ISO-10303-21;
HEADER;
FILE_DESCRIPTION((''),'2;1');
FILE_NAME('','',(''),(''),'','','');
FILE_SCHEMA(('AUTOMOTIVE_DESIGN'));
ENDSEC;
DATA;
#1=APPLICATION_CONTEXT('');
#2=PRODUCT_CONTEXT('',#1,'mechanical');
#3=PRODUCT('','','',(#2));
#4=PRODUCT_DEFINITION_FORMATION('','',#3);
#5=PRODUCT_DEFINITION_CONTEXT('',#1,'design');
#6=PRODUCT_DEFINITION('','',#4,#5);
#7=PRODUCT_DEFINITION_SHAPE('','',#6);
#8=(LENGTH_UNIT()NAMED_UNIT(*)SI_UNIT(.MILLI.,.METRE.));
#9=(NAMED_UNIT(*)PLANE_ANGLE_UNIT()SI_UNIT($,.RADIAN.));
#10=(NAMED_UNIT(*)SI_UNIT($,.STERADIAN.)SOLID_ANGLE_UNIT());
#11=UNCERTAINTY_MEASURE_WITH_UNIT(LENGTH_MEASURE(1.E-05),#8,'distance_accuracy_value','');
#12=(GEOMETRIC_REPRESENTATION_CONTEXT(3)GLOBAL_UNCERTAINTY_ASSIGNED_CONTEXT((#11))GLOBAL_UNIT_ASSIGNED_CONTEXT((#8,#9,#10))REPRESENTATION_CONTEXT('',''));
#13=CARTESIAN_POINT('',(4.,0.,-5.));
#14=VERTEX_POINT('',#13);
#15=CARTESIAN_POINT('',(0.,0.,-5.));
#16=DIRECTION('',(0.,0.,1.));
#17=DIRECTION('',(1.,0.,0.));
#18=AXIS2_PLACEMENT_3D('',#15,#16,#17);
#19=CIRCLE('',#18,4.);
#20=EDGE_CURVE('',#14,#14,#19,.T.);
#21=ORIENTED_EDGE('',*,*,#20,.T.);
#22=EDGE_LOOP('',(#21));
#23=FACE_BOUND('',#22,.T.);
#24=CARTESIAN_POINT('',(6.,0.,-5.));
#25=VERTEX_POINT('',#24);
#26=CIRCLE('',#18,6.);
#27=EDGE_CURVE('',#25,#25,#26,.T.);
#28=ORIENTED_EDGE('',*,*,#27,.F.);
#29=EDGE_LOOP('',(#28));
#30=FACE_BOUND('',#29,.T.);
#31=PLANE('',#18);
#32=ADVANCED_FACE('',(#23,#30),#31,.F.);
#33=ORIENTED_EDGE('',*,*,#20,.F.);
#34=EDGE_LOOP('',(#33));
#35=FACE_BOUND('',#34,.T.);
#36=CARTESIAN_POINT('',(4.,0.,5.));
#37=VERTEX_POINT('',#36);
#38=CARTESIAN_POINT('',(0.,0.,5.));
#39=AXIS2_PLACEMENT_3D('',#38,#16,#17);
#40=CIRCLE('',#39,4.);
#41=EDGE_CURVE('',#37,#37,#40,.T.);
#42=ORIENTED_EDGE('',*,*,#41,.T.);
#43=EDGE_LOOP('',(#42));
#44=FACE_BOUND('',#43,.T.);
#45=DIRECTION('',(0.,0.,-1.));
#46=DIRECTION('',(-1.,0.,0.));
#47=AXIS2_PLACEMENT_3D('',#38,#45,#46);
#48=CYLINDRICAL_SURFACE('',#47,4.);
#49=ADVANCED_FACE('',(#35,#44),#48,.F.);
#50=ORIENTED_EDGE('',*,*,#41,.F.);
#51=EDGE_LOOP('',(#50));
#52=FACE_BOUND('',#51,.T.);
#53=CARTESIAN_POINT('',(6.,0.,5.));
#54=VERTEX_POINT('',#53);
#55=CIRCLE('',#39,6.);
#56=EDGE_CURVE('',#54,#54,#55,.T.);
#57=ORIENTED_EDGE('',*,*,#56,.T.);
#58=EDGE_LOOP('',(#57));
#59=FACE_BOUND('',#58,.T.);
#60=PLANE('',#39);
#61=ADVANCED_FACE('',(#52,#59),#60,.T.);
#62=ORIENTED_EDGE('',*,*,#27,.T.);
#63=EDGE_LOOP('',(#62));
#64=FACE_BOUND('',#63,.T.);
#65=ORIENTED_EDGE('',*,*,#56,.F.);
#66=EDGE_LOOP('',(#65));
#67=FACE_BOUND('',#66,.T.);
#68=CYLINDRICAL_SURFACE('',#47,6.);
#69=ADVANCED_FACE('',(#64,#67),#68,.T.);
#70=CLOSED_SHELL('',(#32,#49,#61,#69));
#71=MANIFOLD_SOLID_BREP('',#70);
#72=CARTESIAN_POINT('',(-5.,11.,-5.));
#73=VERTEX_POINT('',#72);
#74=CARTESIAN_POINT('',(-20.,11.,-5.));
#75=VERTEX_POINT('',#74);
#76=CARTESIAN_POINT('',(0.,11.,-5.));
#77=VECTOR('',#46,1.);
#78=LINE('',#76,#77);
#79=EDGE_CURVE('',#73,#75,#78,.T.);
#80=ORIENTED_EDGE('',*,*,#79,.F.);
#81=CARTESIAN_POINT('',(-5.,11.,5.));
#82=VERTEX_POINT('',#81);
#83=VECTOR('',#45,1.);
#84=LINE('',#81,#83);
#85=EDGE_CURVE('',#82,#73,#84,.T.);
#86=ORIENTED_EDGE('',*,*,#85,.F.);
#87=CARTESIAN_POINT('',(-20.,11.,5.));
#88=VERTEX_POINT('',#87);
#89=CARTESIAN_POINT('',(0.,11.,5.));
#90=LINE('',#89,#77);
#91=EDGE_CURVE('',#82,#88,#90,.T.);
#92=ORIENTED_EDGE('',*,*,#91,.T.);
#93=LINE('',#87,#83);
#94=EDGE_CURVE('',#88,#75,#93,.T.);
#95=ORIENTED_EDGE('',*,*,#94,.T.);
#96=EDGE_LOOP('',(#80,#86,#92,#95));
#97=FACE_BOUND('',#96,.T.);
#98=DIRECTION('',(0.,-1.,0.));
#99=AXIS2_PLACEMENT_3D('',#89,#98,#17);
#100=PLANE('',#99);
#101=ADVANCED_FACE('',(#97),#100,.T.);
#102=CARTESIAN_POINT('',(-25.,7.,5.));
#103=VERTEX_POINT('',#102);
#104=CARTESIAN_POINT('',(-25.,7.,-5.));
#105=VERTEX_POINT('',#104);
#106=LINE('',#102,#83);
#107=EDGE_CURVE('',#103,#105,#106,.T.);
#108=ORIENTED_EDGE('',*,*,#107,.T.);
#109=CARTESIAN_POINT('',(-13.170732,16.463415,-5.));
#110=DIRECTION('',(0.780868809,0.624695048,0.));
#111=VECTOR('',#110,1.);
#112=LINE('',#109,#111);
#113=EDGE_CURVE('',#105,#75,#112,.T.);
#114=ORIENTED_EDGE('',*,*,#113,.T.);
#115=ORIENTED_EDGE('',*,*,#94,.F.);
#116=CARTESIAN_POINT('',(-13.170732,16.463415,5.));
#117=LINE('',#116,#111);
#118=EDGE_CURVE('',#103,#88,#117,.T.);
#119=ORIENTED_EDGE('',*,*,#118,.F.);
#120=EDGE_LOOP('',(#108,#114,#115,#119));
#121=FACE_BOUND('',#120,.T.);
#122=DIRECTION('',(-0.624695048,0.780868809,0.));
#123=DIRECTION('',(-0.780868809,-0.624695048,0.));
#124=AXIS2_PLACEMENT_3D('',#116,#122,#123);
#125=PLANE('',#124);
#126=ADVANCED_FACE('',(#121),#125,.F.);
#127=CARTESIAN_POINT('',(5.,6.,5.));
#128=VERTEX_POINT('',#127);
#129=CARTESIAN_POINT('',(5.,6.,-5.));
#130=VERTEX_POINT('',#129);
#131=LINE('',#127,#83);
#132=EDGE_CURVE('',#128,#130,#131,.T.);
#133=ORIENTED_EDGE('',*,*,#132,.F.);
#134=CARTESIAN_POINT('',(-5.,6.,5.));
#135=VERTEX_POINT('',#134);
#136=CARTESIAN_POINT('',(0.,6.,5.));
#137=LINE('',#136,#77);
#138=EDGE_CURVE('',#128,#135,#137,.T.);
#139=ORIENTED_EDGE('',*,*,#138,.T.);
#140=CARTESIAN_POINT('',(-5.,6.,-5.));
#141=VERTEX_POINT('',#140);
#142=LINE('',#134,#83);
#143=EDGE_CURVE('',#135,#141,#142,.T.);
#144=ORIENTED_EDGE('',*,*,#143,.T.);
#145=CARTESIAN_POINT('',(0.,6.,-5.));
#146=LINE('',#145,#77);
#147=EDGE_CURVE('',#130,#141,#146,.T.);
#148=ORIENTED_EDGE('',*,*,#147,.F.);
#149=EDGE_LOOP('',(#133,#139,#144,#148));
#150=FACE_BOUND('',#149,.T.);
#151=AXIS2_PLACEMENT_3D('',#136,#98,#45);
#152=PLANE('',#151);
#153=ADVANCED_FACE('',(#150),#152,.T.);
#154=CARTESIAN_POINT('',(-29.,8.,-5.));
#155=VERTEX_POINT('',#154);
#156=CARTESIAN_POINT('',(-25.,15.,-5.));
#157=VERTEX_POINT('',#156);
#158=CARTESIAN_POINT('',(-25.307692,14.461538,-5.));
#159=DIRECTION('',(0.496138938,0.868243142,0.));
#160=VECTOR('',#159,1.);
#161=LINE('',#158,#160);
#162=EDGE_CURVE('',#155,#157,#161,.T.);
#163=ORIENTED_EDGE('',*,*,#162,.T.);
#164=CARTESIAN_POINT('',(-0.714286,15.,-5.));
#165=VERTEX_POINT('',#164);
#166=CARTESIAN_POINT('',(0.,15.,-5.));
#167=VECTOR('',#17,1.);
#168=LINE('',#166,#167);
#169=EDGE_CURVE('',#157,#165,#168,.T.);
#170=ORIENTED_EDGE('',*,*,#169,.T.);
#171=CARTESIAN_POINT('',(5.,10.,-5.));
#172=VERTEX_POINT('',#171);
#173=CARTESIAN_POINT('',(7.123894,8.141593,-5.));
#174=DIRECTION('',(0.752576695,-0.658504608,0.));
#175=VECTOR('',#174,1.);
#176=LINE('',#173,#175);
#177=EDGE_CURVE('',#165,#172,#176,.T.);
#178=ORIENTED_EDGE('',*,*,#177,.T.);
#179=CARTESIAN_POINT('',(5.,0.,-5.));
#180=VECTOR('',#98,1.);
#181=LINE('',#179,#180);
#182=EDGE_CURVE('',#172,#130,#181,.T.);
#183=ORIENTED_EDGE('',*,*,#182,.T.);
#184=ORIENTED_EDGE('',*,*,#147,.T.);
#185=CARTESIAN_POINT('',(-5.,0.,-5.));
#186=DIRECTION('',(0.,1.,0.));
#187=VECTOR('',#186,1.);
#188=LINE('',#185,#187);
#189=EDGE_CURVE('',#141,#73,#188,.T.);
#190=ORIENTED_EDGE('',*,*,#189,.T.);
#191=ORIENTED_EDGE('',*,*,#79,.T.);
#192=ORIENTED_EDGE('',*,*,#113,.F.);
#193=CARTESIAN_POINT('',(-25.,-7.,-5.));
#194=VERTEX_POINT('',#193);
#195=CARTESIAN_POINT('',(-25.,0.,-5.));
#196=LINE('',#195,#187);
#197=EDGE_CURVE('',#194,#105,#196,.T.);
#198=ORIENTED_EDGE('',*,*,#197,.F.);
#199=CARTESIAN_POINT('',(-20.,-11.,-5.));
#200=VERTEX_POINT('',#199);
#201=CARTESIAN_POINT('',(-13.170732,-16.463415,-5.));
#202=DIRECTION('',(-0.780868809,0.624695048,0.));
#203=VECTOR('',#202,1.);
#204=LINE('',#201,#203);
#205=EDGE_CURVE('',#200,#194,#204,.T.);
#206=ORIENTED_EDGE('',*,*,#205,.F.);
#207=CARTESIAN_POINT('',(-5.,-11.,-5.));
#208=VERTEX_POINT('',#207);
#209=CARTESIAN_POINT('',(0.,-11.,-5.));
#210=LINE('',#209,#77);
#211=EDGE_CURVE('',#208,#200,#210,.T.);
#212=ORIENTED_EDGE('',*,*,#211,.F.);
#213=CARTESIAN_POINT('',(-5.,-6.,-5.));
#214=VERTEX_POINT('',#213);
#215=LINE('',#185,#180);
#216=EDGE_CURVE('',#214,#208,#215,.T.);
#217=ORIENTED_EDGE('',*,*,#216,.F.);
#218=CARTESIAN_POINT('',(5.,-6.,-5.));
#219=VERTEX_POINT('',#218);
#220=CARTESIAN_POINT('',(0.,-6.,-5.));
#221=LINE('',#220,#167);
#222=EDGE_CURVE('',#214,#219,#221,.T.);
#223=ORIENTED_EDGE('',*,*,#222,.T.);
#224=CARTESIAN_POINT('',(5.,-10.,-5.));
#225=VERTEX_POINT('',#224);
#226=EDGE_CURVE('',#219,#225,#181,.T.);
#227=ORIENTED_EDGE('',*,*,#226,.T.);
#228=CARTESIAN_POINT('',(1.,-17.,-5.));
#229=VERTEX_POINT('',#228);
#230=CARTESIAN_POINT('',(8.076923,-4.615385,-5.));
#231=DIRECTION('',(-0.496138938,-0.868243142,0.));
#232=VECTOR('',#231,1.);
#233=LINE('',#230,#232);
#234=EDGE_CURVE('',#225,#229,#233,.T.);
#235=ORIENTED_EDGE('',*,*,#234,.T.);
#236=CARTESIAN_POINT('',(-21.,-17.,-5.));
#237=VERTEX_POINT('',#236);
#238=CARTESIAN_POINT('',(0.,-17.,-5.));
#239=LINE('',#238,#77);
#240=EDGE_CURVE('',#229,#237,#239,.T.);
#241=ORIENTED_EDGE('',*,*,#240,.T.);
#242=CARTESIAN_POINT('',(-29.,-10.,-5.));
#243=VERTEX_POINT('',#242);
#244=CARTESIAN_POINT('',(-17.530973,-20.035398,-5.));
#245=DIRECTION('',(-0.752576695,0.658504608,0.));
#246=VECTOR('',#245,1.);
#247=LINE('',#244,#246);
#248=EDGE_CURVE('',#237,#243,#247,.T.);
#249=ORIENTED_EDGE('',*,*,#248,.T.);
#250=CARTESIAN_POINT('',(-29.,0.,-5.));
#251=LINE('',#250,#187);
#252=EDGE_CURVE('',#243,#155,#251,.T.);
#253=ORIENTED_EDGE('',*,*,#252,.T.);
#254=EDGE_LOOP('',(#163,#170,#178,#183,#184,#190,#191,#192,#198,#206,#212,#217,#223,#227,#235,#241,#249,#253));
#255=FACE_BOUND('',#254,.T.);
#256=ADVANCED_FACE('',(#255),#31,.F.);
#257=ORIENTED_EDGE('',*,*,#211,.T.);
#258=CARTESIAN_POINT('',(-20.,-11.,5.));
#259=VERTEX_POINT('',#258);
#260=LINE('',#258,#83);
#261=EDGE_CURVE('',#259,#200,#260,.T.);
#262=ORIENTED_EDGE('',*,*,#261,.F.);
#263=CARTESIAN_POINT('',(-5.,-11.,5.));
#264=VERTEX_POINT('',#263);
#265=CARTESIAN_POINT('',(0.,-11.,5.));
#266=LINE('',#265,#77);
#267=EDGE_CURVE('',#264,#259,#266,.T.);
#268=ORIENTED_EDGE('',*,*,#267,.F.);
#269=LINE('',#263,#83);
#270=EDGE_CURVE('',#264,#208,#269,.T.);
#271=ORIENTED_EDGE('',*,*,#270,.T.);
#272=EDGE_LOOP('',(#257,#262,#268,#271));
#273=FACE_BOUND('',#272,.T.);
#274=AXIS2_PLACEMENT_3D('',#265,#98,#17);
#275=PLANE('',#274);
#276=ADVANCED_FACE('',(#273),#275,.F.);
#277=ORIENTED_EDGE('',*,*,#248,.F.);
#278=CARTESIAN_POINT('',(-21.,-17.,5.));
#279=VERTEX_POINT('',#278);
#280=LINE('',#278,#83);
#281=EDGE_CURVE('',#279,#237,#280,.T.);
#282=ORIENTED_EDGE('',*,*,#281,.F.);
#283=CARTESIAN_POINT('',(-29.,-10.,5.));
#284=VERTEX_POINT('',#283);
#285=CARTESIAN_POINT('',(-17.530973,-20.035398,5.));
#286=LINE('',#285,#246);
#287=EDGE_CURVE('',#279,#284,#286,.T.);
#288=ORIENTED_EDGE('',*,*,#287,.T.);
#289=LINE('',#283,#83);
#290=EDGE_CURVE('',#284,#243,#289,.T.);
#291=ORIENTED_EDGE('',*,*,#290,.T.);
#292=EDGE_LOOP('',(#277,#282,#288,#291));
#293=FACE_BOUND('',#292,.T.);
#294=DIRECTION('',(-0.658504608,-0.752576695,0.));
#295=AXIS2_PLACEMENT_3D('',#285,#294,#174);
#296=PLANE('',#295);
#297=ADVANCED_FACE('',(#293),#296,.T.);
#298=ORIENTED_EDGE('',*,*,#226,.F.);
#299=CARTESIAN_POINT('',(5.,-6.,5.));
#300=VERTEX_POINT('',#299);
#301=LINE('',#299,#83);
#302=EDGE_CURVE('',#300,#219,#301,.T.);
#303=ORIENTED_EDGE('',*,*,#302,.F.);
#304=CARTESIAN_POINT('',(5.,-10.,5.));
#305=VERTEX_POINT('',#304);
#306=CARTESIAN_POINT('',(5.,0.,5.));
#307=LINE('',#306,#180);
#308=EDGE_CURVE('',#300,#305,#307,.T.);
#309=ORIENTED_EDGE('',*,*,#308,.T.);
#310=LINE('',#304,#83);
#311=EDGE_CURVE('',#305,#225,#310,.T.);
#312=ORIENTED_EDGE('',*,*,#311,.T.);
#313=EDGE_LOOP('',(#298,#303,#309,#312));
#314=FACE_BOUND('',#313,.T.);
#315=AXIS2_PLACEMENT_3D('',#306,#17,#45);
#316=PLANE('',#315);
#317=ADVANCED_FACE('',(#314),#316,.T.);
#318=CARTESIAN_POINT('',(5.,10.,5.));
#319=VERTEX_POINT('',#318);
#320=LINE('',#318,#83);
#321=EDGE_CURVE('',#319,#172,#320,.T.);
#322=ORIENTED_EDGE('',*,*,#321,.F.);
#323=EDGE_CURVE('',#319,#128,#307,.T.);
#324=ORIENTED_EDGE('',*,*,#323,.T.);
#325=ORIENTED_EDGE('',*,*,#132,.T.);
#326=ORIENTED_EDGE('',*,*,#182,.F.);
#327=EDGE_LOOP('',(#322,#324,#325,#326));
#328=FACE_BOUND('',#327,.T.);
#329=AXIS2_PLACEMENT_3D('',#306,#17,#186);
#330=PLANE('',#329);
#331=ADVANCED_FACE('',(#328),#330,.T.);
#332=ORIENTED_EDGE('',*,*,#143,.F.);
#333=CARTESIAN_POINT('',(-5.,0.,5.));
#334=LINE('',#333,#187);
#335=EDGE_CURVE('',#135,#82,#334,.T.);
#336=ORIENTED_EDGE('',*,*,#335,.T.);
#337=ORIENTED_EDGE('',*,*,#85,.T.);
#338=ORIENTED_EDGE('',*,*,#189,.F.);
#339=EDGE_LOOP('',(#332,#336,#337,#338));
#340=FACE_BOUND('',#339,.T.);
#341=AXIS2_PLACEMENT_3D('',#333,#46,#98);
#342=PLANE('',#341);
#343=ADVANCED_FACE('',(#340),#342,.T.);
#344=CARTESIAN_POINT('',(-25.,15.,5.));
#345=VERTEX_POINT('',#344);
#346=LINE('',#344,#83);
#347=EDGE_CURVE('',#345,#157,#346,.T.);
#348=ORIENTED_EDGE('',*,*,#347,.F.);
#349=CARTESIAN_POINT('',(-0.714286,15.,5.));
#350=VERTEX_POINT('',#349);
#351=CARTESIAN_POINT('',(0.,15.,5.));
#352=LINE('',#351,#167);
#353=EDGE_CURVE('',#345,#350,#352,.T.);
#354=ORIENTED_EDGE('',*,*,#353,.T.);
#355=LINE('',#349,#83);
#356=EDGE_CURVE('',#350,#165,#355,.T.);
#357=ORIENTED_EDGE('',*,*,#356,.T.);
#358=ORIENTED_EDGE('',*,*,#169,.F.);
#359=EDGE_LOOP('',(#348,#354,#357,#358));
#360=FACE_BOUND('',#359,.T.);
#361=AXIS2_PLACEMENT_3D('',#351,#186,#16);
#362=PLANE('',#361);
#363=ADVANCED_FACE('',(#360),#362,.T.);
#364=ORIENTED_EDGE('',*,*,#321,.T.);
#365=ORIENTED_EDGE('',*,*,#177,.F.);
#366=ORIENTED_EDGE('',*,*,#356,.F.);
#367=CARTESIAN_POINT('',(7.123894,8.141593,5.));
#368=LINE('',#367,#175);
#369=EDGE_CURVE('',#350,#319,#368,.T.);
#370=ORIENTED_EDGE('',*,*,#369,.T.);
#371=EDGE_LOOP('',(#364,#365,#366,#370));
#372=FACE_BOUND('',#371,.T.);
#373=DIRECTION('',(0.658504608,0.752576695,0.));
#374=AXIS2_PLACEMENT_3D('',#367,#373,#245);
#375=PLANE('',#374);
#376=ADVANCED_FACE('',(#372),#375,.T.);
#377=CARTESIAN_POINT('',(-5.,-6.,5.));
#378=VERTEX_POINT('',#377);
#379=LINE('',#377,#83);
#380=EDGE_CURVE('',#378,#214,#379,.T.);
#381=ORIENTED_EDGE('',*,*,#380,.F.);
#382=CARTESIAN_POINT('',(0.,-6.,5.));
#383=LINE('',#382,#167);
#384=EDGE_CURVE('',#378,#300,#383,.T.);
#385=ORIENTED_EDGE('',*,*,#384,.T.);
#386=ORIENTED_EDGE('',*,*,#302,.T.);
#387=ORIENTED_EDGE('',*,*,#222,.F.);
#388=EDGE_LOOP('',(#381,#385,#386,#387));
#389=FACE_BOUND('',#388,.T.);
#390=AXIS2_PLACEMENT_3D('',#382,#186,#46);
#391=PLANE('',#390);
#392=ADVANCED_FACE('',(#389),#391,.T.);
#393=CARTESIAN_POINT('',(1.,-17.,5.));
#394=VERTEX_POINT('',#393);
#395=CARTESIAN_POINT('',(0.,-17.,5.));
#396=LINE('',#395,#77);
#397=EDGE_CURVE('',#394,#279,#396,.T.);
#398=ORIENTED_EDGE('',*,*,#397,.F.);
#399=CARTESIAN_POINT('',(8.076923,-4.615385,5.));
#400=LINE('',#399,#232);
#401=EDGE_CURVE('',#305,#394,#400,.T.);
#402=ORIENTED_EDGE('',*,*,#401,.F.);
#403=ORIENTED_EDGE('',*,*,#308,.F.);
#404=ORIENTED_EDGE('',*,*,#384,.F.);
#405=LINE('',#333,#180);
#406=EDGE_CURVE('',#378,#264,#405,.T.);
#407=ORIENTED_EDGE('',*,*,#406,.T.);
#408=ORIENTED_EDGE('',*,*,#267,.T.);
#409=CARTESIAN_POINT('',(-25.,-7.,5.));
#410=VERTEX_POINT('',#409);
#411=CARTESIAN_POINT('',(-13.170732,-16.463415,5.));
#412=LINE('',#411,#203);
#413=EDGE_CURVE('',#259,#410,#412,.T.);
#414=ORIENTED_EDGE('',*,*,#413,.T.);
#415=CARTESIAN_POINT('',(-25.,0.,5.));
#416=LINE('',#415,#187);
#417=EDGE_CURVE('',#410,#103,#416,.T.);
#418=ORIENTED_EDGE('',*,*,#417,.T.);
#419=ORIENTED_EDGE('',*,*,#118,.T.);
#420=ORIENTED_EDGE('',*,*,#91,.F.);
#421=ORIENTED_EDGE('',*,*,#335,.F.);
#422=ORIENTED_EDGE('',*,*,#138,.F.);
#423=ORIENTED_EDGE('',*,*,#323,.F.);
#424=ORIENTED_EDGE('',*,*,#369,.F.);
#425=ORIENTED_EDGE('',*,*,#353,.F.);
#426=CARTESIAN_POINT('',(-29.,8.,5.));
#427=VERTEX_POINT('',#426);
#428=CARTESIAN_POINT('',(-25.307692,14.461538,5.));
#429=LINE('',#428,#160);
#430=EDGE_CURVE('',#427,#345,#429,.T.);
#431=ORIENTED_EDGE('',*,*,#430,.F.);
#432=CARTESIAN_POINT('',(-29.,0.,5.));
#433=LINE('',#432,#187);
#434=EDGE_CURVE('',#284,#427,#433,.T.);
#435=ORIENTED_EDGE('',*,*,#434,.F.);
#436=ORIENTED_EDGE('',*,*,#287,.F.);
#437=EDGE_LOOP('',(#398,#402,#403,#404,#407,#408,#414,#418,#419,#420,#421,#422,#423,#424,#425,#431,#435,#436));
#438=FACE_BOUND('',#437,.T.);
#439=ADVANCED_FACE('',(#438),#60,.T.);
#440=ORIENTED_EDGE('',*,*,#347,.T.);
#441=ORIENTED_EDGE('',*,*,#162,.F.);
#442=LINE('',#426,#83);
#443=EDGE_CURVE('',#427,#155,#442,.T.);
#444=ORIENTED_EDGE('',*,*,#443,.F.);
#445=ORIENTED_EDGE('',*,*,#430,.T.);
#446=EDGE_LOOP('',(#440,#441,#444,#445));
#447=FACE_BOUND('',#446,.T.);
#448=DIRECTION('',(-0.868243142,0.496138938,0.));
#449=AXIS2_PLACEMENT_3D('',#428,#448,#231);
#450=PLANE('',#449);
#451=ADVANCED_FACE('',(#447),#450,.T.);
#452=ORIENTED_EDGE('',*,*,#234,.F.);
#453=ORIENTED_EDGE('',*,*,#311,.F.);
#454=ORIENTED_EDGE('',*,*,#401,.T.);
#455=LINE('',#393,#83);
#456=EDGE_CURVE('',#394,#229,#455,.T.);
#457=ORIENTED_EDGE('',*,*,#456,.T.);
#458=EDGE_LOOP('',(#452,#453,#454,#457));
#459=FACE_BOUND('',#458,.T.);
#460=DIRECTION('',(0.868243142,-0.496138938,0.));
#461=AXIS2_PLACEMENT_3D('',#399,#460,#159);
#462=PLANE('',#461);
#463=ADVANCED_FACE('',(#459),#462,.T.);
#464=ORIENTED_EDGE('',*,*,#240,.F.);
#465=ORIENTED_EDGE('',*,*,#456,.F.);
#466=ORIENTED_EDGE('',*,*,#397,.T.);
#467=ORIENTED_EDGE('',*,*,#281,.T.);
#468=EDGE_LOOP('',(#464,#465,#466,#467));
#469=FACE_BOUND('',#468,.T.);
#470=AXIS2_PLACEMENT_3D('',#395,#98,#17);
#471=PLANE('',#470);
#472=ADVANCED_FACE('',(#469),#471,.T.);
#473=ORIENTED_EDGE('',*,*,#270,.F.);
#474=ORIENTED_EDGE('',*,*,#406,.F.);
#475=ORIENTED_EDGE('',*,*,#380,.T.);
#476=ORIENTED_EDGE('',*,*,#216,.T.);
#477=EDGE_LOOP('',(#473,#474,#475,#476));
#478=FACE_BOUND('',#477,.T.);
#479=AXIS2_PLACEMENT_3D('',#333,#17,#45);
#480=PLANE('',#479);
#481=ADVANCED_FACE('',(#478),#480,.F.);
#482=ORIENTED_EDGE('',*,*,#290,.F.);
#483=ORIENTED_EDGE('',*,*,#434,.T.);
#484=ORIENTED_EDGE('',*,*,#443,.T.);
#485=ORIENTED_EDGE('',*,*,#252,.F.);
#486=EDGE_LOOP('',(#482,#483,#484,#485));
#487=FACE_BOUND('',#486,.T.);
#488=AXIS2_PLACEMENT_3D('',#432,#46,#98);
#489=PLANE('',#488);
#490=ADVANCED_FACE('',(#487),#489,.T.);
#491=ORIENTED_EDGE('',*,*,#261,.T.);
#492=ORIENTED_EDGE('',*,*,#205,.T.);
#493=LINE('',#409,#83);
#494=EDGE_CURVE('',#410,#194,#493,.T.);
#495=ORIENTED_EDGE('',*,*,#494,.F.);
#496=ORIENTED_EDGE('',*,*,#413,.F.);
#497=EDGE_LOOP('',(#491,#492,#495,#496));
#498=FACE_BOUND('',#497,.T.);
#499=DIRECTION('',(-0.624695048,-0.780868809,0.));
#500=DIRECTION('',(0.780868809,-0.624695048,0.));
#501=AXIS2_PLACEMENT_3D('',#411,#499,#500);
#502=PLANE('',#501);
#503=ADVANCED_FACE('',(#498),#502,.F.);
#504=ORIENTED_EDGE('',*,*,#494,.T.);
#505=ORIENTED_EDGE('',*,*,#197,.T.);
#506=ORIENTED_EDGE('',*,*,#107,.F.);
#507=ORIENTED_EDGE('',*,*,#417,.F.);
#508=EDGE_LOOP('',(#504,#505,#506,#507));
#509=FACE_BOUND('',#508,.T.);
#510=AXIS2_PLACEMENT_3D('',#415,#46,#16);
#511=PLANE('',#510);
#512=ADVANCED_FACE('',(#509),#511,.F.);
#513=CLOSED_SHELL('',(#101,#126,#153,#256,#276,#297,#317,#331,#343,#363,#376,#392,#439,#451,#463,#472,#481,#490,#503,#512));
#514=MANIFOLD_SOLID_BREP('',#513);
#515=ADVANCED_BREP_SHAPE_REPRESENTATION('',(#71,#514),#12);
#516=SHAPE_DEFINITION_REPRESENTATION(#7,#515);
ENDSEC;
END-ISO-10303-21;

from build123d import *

# Parameters (mm, degrees)
BOSS_EXTRUDE1_DEPTH   = 5
SKETCH1_R             = 6
SKETCH1_R_2           = 4
BOSS_EXTRUDE1_2_DEPTH = 5


with BuildPart() as part:
    # Sketch1 → Boss-Extrude1 (new, symmetric)
    with BuildSketch(Plane.XY):
        Polygon((-5, 11), (-20, 11), (-25, 7), (-25, -7), (-20, -11), (-5, -11), (-5, -6), (5, -6), (5, -10), (1, -17), (-21, -17), (-29, -10), (-29, 8), (-25, 15), (-0.714285714, 15), (5, 10), (5, 6), (-5, 6), align=None)
    extrude(amount=BOSS_EXTRUDE1_DEPTH, both=True)


with BuildPart() as body_2:
    # Sketch1 → Boss-Extrude1 2 (new, symmetric)
    with BuildSketch(Plane.XY):
        Circle(SKETCH1_R)
        Circle(SKETCH1_R_2, mode=Mode.SUBTRACT)
    extrude(amount=BOSS_EXTRUDE1_2_DEPTH, both=True)


solid = Compound([part.part, body_2.part])
